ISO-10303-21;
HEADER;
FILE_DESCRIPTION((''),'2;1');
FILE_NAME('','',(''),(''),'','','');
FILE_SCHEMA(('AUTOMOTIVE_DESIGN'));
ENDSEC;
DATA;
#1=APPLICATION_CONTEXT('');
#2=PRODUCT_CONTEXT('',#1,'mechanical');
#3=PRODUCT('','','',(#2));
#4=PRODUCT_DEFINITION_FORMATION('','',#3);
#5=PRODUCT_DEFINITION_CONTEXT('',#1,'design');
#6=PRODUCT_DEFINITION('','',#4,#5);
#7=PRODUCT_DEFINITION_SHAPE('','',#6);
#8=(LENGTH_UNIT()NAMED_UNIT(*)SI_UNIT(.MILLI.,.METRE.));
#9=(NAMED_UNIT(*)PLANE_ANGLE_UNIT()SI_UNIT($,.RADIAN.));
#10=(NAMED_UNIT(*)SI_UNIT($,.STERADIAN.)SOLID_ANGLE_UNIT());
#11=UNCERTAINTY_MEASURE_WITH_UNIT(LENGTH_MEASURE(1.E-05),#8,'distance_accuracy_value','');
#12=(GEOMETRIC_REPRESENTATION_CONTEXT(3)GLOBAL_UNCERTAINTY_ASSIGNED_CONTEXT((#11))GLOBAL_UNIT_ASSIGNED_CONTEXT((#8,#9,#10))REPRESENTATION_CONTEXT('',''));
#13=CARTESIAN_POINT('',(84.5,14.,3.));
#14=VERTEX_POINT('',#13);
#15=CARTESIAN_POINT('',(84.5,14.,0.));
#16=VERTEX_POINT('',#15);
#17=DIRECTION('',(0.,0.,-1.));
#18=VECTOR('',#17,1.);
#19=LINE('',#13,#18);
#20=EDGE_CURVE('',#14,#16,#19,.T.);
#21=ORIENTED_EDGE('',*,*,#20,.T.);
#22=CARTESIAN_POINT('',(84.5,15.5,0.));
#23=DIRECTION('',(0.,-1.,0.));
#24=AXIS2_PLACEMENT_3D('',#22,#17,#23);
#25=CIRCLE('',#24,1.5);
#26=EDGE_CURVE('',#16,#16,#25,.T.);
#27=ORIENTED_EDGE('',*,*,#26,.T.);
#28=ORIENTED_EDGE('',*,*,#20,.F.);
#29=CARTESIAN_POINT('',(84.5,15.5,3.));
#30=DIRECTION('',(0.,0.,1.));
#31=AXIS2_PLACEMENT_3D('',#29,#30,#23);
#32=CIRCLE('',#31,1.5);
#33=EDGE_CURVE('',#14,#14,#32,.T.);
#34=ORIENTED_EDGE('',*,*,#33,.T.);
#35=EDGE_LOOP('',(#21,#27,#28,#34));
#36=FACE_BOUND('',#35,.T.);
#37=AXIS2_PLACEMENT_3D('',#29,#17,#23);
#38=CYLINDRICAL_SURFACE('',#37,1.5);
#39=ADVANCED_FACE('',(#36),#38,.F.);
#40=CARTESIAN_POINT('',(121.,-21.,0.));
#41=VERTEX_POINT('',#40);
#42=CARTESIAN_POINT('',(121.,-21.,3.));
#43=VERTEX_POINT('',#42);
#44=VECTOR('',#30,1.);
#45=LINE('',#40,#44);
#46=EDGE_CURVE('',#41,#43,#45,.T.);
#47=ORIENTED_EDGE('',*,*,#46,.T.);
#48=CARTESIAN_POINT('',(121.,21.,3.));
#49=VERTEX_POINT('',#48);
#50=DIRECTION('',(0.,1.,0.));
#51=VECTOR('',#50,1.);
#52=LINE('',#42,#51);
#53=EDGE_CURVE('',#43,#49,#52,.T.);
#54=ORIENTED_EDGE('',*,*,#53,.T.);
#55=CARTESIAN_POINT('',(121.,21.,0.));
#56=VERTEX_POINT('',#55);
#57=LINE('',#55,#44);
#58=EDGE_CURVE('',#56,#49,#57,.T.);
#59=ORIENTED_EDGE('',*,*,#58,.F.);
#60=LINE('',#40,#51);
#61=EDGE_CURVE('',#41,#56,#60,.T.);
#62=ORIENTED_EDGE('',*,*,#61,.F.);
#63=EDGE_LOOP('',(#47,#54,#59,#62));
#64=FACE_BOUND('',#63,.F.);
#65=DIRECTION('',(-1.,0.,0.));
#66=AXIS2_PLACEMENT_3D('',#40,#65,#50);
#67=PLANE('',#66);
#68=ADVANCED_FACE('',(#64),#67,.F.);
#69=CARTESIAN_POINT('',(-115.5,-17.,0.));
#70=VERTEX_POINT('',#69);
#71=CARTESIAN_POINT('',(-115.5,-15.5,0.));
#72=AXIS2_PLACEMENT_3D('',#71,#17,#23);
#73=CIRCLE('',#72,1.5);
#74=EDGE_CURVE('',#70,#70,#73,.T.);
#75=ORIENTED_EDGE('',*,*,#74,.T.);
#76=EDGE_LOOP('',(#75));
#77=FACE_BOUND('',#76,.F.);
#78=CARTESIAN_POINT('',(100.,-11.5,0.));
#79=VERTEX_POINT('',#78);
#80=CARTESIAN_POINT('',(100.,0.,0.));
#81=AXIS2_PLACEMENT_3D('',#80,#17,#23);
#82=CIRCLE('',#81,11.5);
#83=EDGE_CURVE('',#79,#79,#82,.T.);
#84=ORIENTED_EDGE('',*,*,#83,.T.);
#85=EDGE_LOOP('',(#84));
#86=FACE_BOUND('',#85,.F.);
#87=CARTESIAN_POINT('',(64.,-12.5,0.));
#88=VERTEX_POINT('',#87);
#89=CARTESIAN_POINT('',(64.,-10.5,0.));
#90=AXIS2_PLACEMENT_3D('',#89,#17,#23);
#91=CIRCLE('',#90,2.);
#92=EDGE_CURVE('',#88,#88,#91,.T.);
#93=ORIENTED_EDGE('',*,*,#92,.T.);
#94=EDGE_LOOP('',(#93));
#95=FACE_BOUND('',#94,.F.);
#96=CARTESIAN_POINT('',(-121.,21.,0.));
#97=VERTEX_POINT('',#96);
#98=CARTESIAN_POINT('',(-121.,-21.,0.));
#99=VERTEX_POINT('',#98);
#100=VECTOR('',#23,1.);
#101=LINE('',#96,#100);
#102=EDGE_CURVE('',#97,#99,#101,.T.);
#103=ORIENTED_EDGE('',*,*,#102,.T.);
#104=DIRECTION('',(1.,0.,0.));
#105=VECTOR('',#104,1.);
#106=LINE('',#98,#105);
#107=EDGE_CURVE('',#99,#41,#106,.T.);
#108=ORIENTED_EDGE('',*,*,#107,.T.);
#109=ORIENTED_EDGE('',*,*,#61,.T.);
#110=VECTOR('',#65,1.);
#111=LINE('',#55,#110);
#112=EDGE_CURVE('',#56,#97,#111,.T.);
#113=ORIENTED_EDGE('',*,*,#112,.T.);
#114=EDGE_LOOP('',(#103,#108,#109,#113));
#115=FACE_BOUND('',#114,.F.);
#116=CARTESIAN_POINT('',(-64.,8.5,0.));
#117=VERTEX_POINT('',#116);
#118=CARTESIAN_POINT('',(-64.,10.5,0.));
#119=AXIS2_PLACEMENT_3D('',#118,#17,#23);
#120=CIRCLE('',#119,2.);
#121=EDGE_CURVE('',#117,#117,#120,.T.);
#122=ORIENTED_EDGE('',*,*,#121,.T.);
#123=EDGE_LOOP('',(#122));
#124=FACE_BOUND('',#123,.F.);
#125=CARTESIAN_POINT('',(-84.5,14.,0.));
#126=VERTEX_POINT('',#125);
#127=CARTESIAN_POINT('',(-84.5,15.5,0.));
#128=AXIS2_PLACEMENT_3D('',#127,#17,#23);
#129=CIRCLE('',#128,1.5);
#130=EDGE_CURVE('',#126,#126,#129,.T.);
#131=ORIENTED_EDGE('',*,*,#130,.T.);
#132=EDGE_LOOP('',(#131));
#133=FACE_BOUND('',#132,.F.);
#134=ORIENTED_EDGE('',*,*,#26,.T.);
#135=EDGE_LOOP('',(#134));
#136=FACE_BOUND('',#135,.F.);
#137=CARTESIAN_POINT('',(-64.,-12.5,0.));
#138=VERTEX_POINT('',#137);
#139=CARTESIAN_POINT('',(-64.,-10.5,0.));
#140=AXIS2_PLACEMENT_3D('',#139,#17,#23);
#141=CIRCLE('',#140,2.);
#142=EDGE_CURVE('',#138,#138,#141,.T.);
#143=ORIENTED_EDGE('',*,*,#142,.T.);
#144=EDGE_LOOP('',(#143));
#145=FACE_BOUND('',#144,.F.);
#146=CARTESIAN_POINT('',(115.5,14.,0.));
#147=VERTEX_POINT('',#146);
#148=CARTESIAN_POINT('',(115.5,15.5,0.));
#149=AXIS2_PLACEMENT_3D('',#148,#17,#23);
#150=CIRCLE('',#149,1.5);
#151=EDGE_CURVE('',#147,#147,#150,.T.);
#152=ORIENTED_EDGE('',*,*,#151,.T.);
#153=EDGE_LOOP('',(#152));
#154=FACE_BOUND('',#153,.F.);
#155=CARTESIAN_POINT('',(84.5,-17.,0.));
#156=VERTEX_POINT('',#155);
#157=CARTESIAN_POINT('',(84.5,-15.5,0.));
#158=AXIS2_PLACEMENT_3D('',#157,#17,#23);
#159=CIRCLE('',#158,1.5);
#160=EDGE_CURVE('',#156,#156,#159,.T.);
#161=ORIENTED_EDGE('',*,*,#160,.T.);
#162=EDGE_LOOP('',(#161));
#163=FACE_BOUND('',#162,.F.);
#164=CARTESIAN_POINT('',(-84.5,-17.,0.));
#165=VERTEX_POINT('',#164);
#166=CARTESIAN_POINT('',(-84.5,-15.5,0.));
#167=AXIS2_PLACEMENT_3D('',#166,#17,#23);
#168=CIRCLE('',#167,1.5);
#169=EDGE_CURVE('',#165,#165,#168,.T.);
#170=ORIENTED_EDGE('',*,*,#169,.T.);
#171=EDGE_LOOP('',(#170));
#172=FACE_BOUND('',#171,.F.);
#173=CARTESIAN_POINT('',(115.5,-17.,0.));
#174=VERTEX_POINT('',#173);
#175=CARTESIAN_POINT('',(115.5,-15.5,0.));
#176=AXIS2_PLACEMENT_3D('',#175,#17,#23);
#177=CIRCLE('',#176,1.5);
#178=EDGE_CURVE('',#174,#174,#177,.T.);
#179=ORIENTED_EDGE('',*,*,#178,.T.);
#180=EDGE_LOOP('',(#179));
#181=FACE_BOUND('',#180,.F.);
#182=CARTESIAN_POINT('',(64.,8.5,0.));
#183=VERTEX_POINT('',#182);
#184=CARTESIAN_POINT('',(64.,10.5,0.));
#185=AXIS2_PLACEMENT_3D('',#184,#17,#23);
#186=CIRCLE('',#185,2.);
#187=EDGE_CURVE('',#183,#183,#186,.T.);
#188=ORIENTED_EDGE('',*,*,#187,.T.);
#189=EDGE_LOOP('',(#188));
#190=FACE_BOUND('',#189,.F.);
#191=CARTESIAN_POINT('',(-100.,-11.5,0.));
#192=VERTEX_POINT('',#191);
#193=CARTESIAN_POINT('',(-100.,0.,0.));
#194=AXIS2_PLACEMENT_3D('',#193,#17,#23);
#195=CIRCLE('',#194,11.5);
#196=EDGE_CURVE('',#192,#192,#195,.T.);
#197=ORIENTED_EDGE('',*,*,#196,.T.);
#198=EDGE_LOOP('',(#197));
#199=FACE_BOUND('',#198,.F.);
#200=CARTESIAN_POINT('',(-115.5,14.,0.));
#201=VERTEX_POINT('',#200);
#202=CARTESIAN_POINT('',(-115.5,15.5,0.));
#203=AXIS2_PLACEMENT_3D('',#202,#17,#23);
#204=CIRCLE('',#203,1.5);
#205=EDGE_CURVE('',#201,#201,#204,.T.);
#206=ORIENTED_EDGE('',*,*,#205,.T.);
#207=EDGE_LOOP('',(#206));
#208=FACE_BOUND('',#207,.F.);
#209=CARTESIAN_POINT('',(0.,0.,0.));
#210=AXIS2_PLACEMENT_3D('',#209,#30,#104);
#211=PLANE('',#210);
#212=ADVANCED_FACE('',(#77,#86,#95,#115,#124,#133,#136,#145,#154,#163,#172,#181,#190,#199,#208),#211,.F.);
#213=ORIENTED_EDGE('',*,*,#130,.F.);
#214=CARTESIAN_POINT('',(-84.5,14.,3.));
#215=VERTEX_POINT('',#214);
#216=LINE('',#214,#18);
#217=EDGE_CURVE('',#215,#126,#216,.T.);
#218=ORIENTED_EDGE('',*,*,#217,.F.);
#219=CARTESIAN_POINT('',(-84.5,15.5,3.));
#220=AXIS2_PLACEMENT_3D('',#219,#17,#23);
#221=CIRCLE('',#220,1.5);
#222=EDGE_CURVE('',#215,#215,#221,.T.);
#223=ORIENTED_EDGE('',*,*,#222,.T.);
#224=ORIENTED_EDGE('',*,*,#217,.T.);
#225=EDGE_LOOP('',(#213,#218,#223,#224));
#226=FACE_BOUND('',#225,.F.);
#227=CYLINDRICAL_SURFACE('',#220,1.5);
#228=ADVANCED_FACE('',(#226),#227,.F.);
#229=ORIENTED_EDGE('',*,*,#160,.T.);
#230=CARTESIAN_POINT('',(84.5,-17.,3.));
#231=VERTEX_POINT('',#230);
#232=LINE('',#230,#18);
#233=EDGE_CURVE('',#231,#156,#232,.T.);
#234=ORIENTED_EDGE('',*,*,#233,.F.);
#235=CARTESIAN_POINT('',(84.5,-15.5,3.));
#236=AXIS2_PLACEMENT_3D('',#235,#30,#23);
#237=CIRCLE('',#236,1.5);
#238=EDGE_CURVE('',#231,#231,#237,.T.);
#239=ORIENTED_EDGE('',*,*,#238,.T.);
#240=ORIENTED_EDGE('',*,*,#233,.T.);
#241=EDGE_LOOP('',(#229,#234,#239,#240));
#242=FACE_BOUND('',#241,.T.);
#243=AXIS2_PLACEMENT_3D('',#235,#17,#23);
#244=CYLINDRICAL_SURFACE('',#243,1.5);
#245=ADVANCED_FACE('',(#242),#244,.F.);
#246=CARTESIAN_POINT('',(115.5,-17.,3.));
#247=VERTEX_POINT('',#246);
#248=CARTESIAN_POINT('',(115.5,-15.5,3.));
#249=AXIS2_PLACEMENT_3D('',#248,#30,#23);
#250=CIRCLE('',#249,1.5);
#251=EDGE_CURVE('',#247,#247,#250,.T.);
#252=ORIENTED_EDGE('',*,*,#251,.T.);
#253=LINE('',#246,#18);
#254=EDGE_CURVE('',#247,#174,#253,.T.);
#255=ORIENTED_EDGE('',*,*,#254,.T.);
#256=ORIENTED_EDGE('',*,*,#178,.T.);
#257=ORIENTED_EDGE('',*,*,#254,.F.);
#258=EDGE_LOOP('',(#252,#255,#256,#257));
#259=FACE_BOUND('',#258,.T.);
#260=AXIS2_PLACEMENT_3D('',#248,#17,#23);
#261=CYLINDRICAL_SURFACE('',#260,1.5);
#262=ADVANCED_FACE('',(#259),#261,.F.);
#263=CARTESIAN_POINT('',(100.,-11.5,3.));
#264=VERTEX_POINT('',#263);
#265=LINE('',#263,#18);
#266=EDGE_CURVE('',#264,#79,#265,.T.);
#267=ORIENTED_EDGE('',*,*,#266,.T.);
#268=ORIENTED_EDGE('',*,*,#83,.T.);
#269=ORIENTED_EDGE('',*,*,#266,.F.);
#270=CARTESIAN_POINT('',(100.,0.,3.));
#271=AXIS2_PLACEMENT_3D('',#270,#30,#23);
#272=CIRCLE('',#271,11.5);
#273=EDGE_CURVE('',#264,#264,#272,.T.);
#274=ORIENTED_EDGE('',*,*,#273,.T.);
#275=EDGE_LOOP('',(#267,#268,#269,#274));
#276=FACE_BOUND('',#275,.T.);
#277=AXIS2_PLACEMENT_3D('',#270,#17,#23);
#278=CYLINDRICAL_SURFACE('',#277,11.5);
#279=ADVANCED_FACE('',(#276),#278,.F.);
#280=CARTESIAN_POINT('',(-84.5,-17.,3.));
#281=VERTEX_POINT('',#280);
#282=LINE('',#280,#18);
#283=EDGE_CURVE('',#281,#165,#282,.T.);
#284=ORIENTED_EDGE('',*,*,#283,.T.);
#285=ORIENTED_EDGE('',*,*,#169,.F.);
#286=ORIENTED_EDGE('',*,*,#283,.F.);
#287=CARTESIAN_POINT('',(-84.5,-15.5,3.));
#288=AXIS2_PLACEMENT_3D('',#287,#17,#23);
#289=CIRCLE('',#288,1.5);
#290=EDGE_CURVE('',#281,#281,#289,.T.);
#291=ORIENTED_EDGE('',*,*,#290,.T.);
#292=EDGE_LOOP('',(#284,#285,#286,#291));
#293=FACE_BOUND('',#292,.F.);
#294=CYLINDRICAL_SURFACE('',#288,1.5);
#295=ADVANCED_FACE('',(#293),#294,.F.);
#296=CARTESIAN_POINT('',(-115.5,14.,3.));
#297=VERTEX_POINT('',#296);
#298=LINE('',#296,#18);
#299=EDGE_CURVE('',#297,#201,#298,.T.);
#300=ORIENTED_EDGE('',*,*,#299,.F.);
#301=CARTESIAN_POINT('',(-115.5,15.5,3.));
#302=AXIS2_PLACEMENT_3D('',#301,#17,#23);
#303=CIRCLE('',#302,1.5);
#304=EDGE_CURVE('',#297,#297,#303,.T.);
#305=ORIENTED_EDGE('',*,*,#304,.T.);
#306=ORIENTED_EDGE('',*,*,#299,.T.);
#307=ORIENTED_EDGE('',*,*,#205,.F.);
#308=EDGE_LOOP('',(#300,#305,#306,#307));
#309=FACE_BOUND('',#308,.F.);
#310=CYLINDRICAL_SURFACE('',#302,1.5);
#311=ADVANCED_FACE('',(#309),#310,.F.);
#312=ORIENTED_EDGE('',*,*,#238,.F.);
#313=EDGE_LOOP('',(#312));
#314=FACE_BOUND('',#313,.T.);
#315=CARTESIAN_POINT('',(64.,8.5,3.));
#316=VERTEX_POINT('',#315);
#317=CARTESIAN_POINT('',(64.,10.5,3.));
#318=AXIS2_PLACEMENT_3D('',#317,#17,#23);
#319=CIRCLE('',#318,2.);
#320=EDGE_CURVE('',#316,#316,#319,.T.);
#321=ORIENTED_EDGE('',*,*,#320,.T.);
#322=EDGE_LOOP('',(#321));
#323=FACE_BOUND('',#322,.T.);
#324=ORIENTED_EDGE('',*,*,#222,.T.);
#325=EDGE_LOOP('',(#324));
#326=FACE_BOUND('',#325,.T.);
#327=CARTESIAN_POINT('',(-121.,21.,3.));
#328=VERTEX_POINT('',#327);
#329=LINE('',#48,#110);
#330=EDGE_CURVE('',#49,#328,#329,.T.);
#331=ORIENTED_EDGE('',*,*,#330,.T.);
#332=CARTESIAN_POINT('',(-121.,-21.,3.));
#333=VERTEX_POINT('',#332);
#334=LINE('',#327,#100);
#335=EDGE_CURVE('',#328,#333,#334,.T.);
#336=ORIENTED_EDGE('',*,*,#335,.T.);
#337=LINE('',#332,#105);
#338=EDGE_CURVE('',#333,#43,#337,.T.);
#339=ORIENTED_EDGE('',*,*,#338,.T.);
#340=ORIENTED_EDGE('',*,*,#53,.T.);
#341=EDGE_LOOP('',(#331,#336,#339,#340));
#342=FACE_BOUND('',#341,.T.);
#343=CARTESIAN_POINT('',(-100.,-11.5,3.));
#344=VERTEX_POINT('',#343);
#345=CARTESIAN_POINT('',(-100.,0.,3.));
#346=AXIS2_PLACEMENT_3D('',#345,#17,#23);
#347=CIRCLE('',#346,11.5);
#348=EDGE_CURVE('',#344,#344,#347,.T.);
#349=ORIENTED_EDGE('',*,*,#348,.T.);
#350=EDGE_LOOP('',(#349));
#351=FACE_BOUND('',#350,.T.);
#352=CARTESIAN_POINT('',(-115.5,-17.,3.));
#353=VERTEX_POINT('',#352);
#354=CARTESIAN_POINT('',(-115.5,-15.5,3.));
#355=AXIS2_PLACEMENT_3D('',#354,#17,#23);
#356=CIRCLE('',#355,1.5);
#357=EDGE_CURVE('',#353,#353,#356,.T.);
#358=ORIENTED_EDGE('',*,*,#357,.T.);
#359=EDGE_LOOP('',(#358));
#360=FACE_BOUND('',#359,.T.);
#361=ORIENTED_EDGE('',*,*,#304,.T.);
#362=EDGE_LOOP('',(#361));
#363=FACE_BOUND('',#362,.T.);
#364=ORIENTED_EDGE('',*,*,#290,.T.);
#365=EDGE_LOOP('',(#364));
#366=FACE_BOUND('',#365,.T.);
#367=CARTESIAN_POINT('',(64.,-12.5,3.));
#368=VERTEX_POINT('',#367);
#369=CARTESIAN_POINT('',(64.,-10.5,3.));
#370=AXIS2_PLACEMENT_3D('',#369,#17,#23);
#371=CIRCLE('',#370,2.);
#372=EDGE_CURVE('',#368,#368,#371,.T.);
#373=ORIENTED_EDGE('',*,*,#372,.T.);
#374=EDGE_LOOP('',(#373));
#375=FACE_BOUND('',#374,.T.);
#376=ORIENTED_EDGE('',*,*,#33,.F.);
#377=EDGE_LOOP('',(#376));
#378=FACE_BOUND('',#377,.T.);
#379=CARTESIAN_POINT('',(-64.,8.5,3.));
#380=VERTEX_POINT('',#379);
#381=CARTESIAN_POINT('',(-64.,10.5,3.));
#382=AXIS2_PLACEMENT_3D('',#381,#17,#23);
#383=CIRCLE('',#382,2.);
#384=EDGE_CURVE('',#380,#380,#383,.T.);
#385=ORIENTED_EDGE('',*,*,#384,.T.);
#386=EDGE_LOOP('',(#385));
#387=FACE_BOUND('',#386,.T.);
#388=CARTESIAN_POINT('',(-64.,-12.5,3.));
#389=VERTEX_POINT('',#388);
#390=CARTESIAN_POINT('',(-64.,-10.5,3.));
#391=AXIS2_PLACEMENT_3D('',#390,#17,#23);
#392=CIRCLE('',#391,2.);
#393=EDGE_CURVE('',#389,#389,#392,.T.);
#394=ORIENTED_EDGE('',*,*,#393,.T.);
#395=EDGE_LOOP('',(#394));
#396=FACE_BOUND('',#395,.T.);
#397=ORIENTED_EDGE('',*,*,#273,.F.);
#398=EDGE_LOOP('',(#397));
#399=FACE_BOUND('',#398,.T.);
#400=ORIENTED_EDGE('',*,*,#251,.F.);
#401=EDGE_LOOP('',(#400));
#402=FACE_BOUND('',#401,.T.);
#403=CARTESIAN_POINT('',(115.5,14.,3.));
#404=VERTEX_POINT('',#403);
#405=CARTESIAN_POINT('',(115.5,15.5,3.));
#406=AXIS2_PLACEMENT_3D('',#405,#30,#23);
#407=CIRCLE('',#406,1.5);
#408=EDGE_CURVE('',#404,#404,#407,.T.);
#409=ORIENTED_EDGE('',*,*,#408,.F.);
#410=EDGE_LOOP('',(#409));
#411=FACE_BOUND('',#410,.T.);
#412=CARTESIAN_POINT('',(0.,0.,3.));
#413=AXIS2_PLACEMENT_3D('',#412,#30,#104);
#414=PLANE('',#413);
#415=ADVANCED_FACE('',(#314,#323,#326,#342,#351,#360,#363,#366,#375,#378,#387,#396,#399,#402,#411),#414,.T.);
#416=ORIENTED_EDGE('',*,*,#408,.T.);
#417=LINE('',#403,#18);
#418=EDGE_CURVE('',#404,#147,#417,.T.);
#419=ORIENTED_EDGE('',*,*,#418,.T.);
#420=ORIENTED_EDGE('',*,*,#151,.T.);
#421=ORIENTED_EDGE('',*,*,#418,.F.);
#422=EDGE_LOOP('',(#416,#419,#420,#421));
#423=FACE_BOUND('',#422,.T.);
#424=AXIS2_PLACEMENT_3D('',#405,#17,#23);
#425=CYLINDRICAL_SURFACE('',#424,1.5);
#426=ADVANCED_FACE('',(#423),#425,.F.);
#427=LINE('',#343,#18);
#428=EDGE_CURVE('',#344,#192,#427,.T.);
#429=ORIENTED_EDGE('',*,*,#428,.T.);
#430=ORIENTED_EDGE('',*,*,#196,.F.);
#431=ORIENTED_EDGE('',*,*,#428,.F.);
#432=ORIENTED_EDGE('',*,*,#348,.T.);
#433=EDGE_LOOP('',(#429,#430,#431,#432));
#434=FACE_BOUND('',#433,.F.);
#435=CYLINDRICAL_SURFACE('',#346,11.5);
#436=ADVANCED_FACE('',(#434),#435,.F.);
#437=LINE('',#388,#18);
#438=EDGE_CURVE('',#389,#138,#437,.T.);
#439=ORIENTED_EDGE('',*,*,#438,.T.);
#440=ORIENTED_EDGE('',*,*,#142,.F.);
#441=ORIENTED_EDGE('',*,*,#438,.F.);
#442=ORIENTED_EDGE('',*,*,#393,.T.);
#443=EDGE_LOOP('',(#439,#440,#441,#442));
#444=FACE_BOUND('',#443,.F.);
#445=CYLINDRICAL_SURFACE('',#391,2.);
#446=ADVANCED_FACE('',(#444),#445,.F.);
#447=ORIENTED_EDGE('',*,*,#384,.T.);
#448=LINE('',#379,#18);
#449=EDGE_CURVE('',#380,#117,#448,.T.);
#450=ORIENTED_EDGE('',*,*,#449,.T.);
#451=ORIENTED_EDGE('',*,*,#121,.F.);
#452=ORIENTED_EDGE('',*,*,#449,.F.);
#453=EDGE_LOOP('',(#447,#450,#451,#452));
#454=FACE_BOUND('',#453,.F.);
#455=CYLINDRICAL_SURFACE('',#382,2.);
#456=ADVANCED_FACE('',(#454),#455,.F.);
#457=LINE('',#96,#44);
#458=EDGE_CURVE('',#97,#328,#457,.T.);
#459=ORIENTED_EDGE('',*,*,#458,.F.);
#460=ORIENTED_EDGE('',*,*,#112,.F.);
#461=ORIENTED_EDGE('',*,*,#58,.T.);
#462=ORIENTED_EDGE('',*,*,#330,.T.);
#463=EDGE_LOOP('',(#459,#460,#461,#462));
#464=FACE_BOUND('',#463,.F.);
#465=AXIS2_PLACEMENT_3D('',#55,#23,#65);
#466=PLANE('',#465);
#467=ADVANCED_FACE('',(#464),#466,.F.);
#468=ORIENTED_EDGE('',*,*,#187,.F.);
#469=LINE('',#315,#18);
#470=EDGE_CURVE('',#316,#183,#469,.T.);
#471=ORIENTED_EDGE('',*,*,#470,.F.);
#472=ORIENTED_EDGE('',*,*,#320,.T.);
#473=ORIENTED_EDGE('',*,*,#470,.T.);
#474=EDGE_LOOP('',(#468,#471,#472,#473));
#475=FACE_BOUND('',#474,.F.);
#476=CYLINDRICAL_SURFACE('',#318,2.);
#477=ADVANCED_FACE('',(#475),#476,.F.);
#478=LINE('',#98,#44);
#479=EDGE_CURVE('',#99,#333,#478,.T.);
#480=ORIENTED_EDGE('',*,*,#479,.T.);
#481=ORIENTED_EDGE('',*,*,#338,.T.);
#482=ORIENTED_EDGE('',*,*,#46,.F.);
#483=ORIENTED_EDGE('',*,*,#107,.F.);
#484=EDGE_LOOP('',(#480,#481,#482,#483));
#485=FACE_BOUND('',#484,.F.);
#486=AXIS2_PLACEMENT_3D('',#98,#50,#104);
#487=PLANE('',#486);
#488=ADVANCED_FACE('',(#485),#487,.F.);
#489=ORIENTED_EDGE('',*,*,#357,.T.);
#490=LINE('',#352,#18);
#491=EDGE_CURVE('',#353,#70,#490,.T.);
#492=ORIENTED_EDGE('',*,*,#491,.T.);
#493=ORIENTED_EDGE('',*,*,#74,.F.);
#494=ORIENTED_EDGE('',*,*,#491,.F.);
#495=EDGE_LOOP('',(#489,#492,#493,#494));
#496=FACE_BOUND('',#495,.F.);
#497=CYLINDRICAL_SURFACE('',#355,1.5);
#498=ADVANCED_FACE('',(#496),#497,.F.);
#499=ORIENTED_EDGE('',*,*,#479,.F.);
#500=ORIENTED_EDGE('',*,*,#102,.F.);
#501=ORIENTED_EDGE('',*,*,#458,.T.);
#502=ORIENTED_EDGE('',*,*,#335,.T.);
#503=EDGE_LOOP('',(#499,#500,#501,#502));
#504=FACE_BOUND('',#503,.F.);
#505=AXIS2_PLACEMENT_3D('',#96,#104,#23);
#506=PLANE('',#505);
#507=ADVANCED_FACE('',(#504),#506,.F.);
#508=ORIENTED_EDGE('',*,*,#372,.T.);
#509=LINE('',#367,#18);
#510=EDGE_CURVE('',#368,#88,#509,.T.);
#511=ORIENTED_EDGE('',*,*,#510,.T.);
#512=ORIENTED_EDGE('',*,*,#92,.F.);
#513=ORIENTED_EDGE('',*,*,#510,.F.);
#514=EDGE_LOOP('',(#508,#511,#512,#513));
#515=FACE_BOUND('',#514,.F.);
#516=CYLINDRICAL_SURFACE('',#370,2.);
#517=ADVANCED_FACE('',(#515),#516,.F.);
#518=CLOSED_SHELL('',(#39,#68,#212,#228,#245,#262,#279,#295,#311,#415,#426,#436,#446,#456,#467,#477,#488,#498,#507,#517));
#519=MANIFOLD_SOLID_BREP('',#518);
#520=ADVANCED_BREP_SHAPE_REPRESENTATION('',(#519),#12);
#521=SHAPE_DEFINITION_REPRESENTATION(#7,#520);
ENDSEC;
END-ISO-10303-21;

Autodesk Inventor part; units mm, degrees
ref_plane "YZ Plane" through (0, 0, 0) normal (1, 0, 0) x (0, 1, 0)
ref_plane "XZ Plane" through (0, 0, 0) normal (0, 1, 0) x (-1, 0, 0)
ref_plane "XY Plane" through (0, 0, 0) normal (0, 0, 1) x (1, 0, 0)
sketch "Esboço1" plane through (0, 0, 0) normal (0, 0, 1) x (1, 0, 0)
  line L0 (-121, -21) -> (121, -21)
  line L1 (121, -21) -> (121, 21)
  line L2 (121, 21) -> (-121, 21)
  line L3 (-121, 21) -> (-121, -21)
  line L4 (-121, -21) -> (121, 21) construction
  line L5 (121, -21) -> (-121, 21) construction
  point P0 (0, 0)
  dimension "d0" = 242
  dimension "d1" = 42
extrude "Extrusão1" add sketch "Esboço1" along normal blind 3
sketch "Esboço2" plane through (0, 0, 3) normal (0, 0, 1) x (1, 0, 0)
  line L0 (121, 21) -> (-121, 21) projected
  line L1 (-121, 21) -> (-79, 21)
  line L2 (-79, 21) -> (-79, -21)
  line L3 (-79, -21) -> (-121, -21)
  line L4 (-121, -21) -> (-121, 21)
  line L5 (-115.5, -15.5) -> (-84.5, -15.5)
  line L6 (-84.5, -15.5) -> (-84.5, 15.5)
  line L7 (-84.5, 15.5) -> (-115.5, 15.5)
  line L8 (-115.5, 15.5) -> (-115.5, -15.5)
  line L9 (-115.5, -15.5) -> (-84.5, 15.5) construction
  line L10 (-84.5, -15.5) -> (-115.5, 15.5) construction
  point P0 (0, 0)
  point P1 (-100, 0)
  point P2 (-100, 21)
  point P3 (-100, 15.5)
  point P4 (-121, 0)
  point P5 (-115.5, 0)
  dimension "d4" = 42
  dimension "d5" = 42
  dimension "d6" = 31
  dimension "d7" = 31
hole "Furo1" at (-115.5, 15.5, 3) at (-84.5, 15.5, 3) at (-84.5, -15.5, 3) at (-115.5, -15.5, 3) direction (0, 0, -1) diameter 3 end through all
hole "Furo2" at (-100, 0, 3) direction (0, 0, -1) diameter 23 end through all
mirror "Espelhamento1" about plane through (0, 0, 0) normal (1, 0, 0) of "Furo1", "Furo2"
sketch "Esboço3" plane through (0, 0, 3) normal (0, 0, 1) x (1, 0, 0)
  circle A0 centre (64, 10.5) radius 1.621 projected
  circle A1 centre (64, -10.5) radius 1.621 projected
  circle A2 centre (-64, 10.5) radius 1.621 projected
  circle A3 centre (-64, -10.5) radius 1.621 projected
  point P0 (0, 0)
hole "Furo3" at (64, -10.5, 3) at (64, 10.5, 3) at (-64, 10.5, 3) at (-64, -10.5, 3) direction (0, 0, -1) diameter 4 end through all
properties part number "chapa lateral"
